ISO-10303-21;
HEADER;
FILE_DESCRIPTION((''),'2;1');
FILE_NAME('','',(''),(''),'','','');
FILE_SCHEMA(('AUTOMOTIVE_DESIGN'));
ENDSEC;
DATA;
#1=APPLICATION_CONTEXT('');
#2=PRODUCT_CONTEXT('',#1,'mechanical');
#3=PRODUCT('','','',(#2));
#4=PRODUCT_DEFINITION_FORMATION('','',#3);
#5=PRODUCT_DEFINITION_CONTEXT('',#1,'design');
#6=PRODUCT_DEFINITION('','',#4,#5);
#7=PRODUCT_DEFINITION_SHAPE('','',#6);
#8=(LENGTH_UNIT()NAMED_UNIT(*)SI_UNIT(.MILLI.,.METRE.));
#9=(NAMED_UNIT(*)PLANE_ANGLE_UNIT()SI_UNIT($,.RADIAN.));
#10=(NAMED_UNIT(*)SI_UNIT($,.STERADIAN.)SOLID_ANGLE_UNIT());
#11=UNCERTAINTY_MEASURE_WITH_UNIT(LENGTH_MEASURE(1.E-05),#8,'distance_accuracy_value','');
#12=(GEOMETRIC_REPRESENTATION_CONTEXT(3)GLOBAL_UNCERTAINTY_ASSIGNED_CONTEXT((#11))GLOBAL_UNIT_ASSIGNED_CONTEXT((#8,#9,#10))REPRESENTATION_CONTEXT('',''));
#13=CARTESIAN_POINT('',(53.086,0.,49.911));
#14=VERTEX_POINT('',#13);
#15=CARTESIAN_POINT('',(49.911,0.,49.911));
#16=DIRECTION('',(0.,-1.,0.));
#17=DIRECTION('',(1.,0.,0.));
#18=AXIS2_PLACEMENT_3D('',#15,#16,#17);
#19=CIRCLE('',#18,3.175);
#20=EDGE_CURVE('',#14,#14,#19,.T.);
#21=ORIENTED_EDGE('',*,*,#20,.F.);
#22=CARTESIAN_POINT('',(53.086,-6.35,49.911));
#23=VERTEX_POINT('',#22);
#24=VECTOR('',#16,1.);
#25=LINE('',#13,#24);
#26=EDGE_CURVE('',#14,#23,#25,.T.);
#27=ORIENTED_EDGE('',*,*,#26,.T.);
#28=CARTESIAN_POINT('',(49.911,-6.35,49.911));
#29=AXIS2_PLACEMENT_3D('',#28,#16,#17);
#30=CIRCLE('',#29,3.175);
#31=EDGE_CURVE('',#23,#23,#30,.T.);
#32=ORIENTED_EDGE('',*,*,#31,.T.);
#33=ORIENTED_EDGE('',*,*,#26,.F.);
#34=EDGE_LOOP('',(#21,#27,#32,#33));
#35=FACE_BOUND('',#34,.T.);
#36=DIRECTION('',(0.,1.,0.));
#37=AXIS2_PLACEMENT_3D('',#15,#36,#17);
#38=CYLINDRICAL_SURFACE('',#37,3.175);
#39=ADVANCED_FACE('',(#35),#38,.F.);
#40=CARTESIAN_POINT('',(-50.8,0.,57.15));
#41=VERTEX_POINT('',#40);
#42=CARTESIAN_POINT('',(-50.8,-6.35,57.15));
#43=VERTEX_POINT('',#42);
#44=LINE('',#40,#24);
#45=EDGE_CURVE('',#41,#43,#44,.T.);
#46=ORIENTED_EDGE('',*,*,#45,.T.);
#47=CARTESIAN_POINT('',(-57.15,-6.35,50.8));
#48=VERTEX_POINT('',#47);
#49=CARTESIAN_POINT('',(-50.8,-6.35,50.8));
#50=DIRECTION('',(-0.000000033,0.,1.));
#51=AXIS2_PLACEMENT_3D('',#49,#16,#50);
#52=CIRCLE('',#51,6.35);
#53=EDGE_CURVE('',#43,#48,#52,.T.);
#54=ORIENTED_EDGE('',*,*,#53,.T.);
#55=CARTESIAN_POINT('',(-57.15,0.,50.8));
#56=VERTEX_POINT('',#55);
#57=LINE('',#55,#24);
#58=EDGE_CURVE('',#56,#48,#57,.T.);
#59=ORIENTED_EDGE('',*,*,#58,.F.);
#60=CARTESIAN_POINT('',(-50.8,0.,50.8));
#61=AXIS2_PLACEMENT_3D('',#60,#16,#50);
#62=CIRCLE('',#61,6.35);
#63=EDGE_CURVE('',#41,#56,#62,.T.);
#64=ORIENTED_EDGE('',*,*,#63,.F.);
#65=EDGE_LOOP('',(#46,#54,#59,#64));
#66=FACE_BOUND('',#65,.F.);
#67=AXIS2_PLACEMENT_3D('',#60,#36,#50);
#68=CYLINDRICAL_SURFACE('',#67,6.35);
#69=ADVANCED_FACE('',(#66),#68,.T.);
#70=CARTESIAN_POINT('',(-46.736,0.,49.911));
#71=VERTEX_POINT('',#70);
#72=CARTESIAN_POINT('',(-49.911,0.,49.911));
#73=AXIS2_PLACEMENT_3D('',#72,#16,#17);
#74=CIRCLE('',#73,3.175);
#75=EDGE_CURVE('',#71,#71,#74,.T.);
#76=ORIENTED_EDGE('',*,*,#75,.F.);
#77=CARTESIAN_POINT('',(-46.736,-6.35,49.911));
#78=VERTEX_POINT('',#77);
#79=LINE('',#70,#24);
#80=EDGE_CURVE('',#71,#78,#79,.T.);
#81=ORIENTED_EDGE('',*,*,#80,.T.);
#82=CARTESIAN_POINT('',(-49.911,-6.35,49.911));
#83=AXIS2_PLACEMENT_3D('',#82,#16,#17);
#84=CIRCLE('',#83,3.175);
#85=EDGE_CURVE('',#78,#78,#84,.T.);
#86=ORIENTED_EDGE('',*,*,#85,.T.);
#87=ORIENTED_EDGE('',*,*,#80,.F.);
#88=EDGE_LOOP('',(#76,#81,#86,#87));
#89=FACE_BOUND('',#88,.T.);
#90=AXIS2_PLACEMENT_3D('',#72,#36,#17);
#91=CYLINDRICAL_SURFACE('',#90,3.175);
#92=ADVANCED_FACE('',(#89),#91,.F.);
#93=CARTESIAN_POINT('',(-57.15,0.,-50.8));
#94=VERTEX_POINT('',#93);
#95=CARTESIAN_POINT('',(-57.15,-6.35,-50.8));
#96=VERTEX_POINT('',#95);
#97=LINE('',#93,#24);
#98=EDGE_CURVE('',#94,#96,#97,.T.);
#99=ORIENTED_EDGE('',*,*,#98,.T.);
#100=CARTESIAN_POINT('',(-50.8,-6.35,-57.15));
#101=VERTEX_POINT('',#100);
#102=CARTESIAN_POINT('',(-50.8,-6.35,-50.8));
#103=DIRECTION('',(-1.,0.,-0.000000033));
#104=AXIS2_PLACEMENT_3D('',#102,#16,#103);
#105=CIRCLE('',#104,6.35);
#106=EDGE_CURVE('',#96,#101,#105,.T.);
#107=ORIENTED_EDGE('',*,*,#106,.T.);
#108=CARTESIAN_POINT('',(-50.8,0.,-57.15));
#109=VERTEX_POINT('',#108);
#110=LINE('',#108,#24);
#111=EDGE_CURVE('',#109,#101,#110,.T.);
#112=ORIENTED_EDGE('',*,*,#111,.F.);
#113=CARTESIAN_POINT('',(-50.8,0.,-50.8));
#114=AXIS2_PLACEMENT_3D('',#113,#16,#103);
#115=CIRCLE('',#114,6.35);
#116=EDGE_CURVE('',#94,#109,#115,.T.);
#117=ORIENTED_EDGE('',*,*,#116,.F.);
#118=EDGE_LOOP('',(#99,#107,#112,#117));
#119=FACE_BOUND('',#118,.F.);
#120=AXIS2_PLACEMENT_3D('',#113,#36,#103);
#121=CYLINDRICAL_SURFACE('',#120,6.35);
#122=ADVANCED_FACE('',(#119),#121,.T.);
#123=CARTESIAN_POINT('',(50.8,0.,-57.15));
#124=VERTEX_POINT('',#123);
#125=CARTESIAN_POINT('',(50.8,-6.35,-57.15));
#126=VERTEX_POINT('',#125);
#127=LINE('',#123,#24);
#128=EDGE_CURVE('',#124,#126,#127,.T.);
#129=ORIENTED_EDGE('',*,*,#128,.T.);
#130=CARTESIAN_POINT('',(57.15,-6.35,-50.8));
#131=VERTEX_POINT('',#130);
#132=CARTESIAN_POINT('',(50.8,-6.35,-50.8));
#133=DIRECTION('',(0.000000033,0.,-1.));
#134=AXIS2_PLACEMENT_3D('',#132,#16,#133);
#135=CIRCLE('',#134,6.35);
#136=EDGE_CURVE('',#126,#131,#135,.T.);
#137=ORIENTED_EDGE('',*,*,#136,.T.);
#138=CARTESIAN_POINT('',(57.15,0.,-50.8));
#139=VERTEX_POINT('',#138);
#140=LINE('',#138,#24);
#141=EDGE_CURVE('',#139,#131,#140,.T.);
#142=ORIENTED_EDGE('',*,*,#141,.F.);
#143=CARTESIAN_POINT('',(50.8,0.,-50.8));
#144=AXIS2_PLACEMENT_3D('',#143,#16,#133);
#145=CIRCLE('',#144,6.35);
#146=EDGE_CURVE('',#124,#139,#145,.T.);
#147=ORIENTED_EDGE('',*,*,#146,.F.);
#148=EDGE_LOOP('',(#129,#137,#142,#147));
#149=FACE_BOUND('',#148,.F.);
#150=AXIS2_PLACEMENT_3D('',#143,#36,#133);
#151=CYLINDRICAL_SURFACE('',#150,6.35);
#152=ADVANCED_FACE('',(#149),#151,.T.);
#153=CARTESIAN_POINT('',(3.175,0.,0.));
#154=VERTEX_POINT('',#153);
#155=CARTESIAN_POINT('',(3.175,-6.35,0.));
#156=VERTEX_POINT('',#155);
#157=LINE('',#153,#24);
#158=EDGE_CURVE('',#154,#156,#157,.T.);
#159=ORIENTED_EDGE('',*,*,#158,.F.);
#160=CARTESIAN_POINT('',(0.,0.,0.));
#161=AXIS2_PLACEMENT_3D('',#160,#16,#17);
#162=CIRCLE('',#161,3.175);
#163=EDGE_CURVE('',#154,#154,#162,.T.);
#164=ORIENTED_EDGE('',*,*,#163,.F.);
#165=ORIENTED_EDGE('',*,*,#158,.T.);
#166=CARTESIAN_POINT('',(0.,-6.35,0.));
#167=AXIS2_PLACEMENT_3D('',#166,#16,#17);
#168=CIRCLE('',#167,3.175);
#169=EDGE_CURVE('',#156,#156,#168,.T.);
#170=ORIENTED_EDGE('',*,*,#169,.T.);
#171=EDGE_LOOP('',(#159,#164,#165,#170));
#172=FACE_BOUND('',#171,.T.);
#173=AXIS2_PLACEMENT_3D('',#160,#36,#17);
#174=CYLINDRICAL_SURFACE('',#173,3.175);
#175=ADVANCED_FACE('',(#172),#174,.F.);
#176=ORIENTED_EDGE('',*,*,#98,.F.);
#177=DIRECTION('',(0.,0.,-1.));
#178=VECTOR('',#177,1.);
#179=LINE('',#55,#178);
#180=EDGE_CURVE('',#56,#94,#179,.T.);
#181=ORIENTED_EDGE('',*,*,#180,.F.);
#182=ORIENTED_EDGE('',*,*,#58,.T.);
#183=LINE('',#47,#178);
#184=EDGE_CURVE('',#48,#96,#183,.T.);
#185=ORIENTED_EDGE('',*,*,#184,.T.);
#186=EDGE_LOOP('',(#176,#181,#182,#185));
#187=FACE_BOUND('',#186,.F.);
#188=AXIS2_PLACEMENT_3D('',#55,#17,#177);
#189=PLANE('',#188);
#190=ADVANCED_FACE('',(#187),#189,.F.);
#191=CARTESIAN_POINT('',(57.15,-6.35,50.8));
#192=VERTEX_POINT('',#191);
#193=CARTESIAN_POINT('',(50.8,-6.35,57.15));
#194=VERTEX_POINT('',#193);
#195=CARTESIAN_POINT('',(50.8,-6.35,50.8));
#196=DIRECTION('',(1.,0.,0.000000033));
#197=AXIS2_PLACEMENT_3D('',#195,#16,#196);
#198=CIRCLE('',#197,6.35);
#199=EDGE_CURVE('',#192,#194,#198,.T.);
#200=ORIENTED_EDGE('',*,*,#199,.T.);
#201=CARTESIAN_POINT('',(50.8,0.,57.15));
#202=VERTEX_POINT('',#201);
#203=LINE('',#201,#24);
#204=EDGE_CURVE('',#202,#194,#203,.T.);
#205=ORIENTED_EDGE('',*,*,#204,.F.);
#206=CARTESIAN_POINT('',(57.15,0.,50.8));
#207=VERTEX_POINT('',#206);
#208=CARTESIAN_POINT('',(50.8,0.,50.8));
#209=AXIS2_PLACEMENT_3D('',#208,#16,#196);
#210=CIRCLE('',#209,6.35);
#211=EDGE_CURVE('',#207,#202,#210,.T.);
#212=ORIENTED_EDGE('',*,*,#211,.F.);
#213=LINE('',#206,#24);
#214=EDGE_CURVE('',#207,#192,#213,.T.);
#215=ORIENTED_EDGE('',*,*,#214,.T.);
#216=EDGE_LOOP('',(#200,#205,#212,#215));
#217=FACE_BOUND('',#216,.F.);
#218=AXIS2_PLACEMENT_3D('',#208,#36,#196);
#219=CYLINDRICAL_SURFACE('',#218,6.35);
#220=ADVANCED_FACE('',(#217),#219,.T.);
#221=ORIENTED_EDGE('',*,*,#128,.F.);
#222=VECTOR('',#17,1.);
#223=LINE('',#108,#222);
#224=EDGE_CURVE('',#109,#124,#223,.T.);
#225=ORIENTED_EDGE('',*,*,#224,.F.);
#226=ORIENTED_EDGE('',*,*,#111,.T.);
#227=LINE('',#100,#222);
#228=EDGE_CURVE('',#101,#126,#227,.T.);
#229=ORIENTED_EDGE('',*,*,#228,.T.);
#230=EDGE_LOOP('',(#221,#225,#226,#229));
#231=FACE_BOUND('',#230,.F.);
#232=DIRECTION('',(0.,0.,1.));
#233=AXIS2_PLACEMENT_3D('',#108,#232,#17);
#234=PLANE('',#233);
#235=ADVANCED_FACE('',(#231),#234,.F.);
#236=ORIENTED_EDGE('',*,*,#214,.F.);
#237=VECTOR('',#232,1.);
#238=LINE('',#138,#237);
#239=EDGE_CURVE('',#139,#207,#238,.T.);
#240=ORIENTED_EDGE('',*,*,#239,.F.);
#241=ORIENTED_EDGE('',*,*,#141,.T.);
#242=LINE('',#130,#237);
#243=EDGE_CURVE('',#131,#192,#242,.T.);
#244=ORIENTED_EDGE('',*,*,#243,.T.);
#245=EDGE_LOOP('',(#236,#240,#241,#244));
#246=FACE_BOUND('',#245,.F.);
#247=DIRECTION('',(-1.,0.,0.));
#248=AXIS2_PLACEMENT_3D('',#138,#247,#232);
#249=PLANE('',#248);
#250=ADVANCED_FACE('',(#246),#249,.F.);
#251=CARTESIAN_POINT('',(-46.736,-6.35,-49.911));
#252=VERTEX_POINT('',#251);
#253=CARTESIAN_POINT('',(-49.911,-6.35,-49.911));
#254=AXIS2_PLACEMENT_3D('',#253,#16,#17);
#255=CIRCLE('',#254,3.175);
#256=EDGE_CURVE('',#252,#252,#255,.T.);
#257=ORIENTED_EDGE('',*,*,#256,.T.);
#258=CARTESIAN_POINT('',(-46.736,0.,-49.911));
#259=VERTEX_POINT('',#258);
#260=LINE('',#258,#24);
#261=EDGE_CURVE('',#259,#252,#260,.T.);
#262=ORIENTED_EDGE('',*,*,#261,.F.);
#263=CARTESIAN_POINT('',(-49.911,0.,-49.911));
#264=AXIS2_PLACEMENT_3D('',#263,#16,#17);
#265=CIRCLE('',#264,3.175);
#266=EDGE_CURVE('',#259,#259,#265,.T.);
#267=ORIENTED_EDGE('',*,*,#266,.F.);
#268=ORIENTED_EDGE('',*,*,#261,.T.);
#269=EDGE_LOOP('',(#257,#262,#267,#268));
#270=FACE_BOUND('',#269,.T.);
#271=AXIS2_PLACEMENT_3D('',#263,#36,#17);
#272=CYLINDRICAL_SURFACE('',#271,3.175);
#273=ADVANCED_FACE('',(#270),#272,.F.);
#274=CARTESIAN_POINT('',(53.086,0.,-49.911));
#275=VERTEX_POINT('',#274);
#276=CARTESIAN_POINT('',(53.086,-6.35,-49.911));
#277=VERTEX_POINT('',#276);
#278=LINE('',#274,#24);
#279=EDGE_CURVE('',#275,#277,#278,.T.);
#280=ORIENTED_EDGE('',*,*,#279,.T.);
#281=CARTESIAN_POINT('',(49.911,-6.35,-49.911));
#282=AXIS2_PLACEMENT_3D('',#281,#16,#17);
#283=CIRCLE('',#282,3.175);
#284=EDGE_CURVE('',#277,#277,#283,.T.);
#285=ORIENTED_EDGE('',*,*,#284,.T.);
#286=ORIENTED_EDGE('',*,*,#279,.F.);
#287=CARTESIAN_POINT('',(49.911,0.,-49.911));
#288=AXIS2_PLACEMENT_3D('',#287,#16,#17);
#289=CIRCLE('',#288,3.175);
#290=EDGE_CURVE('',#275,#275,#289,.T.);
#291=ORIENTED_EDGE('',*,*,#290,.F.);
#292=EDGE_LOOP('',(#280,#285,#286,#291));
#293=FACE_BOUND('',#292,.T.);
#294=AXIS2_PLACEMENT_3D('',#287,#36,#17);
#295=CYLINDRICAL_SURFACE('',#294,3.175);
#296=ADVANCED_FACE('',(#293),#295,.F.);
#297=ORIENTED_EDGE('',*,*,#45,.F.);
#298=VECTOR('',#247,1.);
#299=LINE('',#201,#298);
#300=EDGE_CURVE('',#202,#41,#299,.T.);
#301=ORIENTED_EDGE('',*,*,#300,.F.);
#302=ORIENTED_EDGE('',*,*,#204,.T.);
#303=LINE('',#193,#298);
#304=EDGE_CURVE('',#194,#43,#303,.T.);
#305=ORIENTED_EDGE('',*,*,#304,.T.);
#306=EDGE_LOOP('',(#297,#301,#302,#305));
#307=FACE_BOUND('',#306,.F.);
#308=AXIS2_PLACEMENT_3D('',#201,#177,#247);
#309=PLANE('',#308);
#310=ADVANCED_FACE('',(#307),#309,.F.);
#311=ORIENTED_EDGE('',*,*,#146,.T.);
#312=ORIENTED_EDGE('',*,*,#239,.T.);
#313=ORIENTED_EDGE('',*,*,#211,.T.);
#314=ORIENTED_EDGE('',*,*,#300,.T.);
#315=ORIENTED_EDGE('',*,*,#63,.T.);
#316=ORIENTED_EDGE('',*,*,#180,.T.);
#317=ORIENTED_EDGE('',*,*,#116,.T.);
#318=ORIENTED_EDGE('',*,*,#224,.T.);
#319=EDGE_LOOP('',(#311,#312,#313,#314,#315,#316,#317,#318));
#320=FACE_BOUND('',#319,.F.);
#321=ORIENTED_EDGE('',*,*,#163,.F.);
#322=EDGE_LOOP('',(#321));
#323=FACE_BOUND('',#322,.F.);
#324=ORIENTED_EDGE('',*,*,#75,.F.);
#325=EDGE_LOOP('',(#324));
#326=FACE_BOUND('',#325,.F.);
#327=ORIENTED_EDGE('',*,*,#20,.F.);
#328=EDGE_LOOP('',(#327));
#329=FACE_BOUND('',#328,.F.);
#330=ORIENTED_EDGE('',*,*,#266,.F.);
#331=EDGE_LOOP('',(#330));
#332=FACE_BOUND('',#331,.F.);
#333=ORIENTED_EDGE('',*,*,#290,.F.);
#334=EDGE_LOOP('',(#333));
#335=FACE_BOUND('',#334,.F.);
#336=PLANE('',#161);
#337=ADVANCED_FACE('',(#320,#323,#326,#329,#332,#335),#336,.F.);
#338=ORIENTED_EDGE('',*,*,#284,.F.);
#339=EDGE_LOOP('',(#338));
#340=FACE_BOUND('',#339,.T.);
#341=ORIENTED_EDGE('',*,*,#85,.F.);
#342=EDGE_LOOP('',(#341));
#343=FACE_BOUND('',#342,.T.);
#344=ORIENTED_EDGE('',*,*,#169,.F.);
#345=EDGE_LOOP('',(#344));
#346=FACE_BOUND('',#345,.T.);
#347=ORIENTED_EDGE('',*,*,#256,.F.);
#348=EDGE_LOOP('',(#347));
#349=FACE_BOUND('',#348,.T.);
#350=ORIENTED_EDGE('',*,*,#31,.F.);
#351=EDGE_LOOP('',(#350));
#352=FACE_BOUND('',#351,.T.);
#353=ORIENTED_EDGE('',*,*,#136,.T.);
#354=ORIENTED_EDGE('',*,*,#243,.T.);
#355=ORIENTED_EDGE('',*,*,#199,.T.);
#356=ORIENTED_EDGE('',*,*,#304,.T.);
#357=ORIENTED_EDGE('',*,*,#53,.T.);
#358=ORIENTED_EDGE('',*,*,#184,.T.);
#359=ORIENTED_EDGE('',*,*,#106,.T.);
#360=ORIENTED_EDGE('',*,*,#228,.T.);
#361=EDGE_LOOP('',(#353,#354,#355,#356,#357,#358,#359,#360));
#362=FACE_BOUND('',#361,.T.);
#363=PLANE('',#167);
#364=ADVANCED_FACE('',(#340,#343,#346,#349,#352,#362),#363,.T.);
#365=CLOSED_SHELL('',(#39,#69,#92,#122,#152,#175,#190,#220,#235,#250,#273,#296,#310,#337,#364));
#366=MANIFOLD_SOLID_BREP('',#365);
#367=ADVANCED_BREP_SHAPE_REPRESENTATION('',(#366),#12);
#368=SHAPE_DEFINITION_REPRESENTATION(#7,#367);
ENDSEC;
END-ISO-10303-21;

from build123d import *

# Parameters (mm, degrees)
F0_R     = 3.175
F1_DEPTH = 6.35


with BuildPart() as f1:
    # F0 (on Front) → F1 (new body)
    with BuildSketch(Plane.XZ):
        with BuildLine():
            Line((50.8, 57.15), (-50.8, 57.15))
            ThreePointArc((-50.8, 57.15), (-55.290128, 55.290128), (-57.15, 50.8))
            Line((-57.15, 50.8), (-57.15, -50.8))
            ThreePointArc((-57.15, -50.8), (-55.290128, -55.290128), (-50.8, -57.15))
            Line((-50.8, -57.15), (50.8, -57.15))
            ThreePointArc((50.8, -57.15), (55.290128, -55.290128), (57.15, -50.8))
            Line((57.15, -50.8), (57.15, 50.8))
            ThreePointArc((57.15, 50.8), (55.290128, 55.290128), (50.8, 57.15))
        make_face()
        with Locations((-49.911, -49.911)):
            Circle(F0_R, mode=Mode.SUBTRACT)
        with Locations((49.911, -49.911)):
            Circle(F0_R, mode=Mode.SUBTRACT)
        Circle(F0_R, mode=Mode.SUBTRACT)
        with Locations((-49.911, 49.911)):
            Circle(F0_R, mode=Mode.SUBTRACT)
        with Locations((49.911, 49.911)):
            Circle(F0_R, mode=Mode.SUBTRACT)
    extrude(amount=F1_DEPTH)


solid = f1.part
